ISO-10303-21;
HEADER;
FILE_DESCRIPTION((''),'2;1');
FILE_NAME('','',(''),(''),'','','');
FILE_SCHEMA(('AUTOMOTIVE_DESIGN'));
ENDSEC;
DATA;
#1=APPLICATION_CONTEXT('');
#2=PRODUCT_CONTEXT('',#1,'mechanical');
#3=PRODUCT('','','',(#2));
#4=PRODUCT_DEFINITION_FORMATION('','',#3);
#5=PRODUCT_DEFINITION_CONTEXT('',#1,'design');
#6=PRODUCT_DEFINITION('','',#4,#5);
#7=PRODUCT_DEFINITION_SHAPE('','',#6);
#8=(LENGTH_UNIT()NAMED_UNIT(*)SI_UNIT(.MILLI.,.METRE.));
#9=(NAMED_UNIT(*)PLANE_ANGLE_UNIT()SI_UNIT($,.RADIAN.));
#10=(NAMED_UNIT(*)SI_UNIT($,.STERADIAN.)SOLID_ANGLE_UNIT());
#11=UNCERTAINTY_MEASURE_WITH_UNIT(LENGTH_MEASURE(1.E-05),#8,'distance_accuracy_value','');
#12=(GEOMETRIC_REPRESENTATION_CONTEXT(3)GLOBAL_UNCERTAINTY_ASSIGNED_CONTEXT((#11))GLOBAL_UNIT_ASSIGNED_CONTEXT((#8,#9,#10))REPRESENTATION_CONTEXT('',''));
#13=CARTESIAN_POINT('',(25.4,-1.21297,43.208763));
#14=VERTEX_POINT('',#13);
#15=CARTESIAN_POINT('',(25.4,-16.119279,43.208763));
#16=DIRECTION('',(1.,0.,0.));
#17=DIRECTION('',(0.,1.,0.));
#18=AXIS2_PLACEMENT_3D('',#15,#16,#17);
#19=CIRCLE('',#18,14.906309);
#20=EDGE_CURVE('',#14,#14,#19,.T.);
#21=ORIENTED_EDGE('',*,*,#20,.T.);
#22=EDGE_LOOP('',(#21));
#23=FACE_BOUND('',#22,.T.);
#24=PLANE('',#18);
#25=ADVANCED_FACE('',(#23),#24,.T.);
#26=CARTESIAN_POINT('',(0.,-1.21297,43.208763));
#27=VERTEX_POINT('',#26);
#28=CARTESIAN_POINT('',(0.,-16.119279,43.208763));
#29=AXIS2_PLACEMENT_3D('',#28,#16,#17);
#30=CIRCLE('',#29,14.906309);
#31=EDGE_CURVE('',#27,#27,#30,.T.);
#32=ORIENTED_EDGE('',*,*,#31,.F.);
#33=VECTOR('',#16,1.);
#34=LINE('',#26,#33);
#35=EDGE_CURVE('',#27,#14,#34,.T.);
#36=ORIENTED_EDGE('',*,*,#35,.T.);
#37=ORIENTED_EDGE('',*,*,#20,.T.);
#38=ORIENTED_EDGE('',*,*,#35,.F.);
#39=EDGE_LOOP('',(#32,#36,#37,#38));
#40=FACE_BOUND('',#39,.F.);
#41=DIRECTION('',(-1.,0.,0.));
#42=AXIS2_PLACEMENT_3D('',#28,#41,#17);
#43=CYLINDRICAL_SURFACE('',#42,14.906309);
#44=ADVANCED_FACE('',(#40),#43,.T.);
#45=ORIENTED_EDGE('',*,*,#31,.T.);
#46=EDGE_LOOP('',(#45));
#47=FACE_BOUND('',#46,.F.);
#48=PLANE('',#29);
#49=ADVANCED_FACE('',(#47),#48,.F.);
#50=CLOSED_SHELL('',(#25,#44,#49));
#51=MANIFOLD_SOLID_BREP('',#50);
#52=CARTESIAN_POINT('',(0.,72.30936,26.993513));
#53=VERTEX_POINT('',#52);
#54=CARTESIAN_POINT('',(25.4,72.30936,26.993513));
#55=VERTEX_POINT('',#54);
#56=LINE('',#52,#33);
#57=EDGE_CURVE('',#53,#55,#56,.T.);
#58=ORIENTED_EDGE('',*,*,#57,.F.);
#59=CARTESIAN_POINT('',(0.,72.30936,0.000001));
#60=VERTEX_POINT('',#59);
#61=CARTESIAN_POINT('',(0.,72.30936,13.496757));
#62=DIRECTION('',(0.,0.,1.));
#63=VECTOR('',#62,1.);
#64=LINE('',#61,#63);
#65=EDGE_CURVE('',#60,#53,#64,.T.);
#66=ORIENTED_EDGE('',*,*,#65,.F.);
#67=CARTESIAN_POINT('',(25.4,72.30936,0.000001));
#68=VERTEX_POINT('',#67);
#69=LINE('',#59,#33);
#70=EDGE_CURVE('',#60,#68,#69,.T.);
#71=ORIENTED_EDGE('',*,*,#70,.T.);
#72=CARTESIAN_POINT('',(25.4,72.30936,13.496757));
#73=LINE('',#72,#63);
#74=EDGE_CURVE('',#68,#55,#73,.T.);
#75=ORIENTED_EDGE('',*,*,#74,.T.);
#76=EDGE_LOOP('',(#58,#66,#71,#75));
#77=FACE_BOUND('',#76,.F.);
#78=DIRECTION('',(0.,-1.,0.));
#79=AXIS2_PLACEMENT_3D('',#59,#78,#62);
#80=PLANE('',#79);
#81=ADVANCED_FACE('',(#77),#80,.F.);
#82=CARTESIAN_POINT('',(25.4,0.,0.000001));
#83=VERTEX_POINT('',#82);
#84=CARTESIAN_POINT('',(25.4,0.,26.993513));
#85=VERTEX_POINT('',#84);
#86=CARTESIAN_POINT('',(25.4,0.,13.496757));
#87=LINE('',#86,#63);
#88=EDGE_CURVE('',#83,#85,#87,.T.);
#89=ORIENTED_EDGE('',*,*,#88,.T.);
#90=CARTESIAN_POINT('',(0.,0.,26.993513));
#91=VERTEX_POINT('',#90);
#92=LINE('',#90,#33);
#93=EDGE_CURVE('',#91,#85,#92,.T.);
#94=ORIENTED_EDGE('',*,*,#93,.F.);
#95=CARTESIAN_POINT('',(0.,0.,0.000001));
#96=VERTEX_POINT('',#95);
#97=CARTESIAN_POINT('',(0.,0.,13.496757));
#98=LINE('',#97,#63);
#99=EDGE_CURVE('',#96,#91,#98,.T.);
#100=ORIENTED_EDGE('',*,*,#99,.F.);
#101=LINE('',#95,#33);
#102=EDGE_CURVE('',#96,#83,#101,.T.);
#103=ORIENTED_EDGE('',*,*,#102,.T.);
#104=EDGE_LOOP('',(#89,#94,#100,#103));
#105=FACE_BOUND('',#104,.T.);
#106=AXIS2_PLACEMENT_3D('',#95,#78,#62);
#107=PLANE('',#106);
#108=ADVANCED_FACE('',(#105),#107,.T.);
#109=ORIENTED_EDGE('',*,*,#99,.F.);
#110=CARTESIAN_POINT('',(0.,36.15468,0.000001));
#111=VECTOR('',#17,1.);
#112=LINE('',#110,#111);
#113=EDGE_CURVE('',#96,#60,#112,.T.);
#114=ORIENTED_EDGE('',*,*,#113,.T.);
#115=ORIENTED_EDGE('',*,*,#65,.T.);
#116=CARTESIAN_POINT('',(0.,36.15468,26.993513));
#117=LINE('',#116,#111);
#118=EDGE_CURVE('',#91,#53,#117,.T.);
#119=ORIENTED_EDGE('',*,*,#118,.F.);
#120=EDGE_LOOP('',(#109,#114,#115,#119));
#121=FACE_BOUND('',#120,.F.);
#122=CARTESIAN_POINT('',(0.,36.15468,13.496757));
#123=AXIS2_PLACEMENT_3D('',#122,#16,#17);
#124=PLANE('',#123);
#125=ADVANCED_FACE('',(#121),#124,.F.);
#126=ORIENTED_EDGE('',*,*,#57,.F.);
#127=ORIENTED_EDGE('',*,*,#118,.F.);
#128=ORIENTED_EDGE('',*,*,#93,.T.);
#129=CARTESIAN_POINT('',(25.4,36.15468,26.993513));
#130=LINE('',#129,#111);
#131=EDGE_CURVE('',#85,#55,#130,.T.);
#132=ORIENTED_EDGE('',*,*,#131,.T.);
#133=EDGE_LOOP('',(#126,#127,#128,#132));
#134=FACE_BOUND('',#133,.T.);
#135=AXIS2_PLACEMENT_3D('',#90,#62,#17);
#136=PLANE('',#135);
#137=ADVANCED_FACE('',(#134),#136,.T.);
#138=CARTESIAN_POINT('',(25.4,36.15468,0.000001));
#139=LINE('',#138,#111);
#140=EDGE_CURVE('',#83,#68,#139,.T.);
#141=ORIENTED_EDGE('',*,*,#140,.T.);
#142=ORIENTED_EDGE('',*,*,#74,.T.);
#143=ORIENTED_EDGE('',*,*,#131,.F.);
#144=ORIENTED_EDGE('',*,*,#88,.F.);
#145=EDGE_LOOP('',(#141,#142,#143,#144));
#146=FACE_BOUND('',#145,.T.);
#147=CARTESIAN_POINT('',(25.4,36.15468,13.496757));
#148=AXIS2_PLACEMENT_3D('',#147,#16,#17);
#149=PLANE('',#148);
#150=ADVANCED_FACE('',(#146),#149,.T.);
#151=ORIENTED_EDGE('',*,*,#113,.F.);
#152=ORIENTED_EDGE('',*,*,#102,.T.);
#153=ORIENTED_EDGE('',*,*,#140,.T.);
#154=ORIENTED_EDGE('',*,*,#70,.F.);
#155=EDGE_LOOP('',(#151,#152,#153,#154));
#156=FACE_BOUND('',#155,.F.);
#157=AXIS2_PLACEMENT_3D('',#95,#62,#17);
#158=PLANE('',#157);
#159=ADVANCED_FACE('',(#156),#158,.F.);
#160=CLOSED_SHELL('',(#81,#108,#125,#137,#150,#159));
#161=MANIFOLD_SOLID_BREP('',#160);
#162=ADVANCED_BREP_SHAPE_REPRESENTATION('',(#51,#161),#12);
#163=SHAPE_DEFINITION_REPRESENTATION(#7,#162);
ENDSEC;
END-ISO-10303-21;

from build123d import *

# Parameters (mm, degrees)
F0_W     = 72.30936
F0_H     = 26.993513
F1_DEPTH = 25.4
F2_R     = 14.906309
F3_DEPTH = 25.4


with BuildPart() as f1:
    # F0 (on Right) → F1 (new body)
    with BuildSketch(Plane.YZ):
        with Locations((36.15468, 13.496757)):
            Rectangle(F0_W, F0_H)
    extrude(amount=F1_DEPTH)


with BuildPart() as f3:
    # F2 (on Right) → F3 (new body)
    with BuildSketch(Plane.YZ):
        with Locations((-16.119279, 43.208763)):
            Circle(F2_R)
    extrude(amount=F3_DEPTH)


solid = Compound([f1.part, f3.part])
